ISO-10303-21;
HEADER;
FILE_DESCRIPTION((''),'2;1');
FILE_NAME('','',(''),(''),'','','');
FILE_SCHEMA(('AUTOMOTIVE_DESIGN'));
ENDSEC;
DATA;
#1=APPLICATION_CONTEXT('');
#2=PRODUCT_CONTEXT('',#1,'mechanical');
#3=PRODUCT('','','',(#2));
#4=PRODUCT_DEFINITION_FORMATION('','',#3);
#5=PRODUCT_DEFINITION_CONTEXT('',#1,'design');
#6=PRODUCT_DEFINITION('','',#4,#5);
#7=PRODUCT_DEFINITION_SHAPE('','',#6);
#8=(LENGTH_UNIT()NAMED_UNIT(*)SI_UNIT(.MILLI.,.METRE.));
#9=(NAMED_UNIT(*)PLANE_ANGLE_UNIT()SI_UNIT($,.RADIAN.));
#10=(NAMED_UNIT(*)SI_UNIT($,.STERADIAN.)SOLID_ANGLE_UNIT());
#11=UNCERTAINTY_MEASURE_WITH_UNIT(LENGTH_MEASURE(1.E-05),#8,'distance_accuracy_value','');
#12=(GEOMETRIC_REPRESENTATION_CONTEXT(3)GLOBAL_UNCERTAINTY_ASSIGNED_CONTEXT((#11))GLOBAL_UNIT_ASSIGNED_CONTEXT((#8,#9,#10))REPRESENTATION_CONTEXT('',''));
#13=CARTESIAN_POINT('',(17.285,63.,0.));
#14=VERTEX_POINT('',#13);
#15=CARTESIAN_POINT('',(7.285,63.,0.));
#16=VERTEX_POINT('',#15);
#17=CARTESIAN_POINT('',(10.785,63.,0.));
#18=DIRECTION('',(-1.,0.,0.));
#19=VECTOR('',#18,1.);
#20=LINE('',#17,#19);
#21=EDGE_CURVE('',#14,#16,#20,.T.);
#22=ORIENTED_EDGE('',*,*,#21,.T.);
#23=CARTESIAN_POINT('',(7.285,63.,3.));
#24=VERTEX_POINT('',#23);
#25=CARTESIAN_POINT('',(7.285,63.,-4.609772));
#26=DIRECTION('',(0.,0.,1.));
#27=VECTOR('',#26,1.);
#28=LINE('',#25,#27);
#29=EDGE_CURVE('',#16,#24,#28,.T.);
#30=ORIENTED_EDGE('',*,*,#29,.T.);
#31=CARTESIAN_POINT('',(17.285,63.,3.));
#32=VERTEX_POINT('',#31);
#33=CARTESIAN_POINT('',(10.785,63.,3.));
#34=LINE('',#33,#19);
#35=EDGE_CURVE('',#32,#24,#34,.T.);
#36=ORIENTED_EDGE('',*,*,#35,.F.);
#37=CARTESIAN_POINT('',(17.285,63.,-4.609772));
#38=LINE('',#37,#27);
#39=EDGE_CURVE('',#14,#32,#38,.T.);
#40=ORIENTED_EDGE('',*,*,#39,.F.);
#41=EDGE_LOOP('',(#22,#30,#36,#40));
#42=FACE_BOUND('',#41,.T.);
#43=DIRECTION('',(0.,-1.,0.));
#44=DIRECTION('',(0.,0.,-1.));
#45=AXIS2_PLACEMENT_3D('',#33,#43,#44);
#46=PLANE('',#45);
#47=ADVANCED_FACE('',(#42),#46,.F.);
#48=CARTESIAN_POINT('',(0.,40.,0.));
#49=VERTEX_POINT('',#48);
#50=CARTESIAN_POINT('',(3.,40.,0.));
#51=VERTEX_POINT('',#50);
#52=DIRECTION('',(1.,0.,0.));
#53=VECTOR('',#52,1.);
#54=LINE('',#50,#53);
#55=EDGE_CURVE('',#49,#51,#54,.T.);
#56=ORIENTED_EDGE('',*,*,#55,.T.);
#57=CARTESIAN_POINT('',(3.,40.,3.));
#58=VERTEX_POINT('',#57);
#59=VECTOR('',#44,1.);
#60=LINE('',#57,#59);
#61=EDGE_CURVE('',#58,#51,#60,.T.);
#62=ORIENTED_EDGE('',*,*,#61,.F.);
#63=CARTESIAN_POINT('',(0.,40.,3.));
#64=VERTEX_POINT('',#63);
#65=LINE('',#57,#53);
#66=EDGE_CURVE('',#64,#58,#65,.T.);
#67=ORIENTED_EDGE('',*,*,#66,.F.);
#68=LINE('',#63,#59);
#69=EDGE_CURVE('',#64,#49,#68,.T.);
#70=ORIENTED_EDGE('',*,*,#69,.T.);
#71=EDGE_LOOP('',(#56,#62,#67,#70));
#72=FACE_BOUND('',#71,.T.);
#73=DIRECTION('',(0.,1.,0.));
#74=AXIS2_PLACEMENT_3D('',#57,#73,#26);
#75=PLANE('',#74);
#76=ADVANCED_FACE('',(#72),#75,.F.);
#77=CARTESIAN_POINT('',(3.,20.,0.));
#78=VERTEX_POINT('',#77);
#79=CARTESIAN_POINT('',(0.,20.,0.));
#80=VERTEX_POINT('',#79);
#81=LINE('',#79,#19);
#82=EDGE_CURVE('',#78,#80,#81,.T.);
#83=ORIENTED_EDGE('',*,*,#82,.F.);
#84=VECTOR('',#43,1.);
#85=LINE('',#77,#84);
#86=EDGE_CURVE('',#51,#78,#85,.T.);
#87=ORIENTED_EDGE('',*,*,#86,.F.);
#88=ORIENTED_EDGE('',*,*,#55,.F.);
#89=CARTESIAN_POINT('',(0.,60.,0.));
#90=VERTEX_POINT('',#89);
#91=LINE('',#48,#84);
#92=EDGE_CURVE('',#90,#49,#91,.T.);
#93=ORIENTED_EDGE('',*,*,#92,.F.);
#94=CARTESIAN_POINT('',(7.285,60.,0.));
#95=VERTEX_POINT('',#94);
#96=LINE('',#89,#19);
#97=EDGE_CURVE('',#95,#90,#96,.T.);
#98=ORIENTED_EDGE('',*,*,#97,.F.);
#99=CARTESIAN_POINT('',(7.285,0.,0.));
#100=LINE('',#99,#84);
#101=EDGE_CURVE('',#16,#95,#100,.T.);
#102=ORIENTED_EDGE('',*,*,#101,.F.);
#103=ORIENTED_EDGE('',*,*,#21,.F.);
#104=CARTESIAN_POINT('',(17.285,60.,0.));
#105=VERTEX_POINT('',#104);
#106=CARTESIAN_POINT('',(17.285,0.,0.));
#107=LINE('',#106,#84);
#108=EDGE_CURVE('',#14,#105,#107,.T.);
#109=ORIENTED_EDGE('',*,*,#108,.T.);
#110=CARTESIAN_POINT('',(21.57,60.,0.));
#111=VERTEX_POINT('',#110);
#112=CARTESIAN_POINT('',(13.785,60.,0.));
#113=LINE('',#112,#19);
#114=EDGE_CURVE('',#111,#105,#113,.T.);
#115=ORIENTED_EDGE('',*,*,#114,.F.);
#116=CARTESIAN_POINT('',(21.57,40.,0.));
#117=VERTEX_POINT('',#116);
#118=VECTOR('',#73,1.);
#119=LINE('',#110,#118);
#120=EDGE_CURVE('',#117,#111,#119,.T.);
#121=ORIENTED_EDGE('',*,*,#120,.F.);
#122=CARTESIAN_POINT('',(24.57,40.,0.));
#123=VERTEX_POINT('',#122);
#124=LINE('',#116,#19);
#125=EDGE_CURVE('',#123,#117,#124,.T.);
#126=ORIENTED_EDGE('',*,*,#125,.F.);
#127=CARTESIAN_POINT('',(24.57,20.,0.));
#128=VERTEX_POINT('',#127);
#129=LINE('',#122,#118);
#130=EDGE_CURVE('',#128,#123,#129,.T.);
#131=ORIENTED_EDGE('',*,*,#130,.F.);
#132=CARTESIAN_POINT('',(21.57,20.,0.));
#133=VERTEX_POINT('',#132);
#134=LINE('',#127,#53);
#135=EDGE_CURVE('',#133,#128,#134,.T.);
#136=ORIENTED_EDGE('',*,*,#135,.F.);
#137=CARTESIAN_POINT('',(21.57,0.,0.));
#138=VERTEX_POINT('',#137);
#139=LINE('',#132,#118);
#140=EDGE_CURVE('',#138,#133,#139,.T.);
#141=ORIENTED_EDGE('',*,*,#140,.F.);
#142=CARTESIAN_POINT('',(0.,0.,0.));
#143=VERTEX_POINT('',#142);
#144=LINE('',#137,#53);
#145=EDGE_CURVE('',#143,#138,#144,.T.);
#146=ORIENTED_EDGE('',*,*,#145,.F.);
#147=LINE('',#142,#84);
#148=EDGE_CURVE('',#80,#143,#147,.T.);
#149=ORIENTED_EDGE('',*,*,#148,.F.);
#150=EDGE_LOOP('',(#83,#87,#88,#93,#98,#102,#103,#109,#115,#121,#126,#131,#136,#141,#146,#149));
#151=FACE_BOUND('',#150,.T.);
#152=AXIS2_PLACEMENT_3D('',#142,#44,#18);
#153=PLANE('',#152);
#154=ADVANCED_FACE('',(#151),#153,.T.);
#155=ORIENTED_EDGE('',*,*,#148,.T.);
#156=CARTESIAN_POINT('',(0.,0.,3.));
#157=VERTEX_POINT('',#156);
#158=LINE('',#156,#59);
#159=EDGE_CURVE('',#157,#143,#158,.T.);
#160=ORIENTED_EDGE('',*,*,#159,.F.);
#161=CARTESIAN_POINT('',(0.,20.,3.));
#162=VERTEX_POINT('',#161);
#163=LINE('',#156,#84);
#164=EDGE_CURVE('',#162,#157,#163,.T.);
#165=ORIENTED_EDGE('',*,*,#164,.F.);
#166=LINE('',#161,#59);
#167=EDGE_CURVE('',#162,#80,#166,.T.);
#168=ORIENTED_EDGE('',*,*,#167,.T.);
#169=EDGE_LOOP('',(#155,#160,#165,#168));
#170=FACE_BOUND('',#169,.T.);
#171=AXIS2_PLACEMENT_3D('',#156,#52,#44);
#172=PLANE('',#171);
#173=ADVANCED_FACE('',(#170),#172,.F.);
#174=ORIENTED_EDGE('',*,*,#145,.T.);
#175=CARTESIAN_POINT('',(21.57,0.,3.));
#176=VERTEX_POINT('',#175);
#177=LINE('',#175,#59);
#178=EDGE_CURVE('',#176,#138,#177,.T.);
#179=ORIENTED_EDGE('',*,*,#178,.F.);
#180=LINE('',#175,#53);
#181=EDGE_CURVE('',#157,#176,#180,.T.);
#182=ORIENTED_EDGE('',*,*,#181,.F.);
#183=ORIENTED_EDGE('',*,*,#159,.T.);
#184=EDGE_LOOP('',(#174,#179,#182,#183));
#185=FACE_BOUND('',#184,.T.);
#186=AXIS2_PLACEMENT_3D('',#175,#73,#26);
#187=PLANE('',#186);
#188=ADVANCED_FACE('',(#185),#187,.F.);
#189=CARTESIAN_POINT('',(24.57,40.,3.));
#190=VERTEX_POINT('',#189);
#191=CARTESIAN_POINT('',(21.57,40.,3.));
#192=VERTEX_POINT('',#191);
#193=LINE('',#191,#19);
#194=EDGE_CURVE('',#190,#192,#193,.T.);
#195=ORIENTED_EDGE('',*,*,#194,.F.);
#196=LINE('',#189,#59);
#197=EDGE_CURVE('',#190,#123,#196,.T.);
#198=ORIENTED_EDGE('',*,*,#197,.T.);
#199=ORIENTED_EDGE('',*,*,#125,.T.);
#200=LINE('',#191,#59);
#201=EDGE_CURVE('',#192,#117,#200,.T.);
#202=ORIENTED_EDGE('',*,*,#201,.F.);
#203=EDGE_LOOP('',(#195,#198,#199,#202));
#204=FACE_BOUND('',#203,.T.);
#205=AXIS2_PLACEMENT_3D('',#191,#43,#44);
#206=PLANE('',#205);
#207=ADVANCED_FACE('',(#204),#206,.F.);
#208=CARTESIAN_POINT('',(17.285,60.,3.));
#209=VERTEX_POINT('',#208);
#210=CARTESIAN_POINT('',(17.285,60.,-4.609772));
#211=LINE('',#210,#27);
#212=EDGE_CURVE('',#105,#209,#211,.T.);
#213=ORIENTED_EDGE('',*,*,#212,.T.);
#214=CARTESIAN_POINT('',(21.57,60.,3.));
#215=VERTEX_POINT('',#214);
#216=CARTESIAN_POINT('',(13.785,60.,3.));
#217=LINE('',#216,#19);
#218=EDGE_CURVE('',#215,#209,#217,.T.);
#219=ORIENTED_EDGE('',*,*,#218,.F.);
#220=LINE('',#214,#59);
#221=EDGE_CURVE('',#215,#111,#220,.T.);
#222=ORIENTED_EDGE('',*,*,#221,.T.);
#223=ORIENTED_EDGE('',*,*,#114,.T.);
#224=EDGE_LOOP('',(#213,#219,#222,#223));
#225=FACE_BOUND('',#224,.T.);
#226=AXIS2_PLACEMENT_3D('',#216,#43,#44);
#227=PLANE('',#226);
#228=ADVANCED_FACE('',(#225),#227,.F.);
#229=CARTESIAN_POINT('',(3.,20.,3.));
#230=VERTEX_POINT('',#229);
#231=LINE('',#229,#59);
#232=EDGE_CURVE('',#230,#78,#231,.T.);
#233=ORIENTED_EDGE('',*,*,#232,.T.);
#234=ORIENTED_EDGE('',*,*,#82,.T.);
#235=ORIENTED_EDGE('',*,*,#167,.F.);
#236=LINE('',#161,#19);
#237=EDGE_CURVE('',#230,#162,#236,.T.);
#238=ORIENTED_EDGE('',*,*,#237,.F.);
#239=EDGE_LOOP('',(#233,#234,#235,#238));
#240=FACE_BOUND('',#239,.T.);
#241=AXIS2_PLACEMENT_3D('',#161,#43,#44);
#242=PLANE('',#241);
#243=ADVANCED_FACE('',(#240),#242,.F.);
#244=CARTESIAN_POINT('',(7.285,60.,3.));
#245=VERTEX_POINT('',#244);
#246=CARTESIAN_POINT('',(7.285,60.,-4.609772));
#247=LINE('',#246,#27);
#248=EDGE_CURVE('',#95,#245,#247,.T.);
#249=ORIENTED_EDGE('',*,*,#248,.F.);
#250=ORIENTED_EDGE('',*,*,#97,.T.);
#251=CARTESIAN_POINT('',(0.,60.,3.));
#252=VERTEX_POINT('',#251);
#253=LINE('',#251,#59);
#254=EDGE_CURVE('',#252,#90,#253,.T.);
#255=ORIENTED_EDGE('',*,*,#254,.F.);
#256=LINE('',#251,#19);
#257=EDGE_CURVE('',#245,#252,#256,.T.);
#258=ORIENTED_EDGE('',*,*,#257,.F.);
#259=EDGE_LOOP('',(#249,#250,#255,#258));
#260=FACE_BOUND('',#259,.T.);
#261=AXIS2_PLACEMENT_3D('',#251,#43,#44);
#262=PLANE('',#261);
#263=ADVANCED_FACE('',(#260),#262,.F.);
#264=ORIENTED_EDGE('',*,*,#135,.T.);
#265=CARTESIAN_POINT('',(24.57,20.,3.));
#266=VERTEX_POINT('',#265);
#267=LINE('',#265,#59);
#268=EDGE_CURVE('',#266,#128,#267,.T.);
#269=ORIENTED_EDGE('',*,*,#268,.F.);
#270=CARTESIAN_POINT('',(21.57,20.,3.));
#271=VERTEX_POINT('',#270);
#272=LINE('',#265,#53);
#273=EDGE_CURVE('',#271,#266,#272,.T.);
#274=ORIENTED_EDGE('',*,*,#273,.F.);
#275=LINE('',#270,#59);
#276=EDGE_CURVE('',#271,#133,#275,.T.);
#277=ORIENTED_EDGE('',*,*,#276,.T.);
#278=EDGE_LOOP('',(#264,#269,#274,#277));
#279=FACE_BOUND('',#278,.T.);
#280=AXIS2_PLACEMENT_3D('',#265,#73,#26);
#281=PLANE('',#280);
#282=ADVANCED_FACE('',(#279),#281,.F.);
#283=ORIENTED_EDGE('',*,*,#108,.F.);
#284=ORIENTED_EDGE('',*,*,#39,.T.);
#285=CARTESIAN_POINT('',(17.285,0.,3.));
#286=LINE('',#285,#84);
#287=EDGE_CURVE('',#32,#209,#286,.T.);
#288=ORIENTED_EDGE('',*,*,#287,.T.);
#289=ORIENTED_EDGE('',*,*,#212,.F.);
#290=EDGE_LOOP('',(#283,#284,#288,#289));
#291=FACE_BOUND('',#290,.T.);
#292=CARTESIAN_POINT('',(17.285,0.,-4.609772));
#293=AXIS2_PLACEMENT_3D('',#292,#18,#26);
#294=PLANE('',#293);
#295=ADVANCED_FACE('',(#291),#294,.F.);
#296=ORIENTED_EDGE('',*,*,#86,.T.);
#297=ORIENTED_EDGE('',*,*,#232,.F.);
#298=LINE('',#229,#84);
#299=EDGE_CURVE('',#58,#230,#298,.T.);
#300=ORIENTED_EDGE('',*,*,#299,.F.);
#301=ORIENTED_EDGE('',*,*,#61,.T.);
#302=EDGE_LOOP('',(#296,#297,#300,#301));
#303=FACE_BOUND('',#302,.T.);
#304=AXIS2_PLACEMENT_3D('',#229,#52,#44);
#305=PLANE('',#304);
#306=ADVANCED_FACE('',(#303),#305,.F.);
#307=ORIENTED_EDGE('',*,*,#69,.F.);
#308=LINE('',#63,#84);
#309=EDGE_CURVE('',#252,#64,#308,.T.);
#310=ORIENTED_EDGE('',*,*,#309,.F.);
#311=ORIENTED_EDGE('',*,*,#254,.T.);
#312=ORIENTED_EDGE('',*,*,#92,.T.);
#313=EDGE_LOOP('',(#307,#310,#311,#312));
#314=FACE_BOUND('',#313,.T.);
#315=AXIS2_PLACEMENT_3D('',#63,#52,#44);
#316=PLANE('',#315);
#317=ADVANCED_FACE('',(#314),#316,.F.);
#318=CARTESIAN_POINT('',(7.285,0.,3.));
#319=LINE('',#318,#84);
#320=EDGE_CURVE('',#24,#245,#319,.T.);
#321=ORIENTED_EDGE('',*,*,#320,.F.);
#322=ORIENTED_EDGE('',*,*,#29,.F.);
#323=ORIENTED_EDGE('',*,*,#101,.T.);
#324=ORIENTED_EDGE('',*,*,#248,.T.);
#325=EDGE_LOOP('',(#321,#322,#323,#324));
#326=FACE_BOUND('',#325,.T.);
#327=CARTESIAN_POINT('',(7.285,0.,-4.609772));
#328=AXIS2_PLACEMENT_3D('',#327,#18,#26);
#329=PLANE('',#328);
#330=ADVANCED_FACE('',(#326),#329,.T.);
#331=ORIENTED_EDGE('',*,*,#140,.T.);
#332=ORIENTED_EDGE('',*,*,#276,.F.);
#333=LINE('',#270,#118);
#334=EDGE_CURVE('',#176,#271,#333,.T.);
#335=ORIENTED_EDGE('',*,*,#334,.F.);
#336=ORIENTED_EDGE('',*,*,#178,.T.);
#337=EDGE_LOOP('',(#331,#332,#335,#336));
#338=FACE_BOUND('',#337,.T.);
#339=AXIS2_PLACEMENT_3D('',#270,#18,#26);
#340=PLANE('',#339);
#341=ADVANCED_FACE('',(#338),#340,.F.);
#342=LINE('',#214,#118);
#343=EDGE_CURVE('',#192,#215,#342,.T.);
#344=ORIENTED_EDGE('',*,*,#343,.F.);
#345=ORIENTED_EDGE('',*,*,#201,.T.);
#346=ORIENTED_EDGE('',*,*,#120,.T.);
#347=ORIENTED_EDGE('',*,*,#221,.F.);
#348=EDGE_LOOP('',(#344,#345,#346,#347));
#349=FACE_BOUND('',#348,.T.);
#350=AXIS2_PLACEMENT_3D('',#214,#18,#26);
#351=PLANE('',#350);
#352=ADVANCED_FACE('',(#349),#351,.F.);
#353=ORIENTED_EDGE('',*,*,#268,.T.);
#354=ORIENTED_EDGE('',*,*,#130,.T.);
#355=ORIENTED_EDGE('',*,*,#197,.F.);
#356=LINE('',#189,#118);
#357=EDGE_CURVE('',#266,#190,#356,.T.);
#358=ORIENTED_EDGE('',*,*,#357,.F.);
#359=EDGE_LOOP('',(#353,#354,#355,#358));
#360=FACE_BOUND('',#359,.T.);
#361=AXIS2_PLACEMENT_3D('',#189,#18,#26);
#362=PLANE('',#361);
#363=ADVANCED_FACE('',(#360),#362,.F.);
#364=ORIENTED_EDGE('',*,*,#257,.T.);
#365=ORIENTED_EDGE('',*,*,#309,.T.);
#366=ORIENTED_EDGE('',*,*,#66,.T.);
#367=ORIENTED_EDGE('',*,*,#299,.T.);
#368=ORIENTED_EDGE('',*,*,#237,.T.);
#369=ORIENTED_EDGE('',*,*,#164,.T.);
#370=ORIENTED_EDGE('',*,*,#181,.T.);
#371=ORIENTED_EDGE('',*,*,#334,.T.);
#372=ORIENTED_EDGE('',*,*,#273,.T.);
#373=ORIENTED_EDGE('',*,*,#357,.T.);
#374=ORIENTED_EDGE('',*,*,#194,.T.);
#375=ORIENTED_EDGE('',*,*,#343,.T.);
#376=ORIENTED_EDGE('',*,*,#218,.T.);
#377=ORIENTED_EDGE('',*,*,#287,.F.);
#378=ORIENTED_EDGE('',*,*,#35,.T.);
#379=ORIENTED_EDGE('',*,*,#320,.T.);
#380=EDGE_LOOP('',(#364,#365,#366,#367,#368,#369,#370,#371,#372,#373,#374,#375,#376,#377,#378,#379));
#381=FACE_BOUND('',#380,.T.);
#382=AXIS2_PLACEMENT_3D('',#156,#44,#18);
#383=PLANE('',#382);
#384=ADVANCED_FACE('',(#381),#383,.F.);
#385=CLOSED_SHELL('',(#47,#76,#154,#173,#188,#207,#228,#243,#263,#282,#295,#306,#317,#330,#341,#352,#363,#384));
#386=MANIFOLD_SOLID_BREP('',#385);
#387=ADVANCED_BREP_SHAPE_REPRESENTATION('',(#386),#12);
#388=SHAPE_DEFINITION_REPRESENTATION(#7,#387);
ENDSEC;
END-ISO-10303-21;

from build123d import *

# Parameters (mm, degrees)
PLATE_THICKNESS_3MM_DEPTH = 3
SKETCH_1_W                = 3.5
SKETCH_1_H                = 3
EXTRUDE_2_DEPTH           = 3


with BuildPart() as part:
    # Sketch1 → Plate_thickness_3mm (new body)
    with BuildSketch(Plane.XY):
        Polygon((21.57, 0), (0, 0), (0, 20), (3, 20), (3, 40), (0, 40), (0, 60), (10.785, 60), (10.785, 63), (13.785, 63), (13.785, 60), (21.57, 60), (21.57, 40), (24.57, 40), (24.57, 20), (21.57, 20), align=None)
    extrude(amount=PLATE_THICKNESS_3MM_DEPTH)

    # 草图1 → 凸台-拉伸2 (add)
    with BuildSketch(Plane.XY.offset(3)):
        with Locations((9.035, 61.5)):
            Rectangle(SKETCH_1_W, SKETCH_1_H)
        with Locations((15.535, 61.5)):
            Rectangle(SKETCH_1_W, SKETCH_1_H)
    extrude(amount=-EXTRUDE_2_DEPTH)


solid = part.part
